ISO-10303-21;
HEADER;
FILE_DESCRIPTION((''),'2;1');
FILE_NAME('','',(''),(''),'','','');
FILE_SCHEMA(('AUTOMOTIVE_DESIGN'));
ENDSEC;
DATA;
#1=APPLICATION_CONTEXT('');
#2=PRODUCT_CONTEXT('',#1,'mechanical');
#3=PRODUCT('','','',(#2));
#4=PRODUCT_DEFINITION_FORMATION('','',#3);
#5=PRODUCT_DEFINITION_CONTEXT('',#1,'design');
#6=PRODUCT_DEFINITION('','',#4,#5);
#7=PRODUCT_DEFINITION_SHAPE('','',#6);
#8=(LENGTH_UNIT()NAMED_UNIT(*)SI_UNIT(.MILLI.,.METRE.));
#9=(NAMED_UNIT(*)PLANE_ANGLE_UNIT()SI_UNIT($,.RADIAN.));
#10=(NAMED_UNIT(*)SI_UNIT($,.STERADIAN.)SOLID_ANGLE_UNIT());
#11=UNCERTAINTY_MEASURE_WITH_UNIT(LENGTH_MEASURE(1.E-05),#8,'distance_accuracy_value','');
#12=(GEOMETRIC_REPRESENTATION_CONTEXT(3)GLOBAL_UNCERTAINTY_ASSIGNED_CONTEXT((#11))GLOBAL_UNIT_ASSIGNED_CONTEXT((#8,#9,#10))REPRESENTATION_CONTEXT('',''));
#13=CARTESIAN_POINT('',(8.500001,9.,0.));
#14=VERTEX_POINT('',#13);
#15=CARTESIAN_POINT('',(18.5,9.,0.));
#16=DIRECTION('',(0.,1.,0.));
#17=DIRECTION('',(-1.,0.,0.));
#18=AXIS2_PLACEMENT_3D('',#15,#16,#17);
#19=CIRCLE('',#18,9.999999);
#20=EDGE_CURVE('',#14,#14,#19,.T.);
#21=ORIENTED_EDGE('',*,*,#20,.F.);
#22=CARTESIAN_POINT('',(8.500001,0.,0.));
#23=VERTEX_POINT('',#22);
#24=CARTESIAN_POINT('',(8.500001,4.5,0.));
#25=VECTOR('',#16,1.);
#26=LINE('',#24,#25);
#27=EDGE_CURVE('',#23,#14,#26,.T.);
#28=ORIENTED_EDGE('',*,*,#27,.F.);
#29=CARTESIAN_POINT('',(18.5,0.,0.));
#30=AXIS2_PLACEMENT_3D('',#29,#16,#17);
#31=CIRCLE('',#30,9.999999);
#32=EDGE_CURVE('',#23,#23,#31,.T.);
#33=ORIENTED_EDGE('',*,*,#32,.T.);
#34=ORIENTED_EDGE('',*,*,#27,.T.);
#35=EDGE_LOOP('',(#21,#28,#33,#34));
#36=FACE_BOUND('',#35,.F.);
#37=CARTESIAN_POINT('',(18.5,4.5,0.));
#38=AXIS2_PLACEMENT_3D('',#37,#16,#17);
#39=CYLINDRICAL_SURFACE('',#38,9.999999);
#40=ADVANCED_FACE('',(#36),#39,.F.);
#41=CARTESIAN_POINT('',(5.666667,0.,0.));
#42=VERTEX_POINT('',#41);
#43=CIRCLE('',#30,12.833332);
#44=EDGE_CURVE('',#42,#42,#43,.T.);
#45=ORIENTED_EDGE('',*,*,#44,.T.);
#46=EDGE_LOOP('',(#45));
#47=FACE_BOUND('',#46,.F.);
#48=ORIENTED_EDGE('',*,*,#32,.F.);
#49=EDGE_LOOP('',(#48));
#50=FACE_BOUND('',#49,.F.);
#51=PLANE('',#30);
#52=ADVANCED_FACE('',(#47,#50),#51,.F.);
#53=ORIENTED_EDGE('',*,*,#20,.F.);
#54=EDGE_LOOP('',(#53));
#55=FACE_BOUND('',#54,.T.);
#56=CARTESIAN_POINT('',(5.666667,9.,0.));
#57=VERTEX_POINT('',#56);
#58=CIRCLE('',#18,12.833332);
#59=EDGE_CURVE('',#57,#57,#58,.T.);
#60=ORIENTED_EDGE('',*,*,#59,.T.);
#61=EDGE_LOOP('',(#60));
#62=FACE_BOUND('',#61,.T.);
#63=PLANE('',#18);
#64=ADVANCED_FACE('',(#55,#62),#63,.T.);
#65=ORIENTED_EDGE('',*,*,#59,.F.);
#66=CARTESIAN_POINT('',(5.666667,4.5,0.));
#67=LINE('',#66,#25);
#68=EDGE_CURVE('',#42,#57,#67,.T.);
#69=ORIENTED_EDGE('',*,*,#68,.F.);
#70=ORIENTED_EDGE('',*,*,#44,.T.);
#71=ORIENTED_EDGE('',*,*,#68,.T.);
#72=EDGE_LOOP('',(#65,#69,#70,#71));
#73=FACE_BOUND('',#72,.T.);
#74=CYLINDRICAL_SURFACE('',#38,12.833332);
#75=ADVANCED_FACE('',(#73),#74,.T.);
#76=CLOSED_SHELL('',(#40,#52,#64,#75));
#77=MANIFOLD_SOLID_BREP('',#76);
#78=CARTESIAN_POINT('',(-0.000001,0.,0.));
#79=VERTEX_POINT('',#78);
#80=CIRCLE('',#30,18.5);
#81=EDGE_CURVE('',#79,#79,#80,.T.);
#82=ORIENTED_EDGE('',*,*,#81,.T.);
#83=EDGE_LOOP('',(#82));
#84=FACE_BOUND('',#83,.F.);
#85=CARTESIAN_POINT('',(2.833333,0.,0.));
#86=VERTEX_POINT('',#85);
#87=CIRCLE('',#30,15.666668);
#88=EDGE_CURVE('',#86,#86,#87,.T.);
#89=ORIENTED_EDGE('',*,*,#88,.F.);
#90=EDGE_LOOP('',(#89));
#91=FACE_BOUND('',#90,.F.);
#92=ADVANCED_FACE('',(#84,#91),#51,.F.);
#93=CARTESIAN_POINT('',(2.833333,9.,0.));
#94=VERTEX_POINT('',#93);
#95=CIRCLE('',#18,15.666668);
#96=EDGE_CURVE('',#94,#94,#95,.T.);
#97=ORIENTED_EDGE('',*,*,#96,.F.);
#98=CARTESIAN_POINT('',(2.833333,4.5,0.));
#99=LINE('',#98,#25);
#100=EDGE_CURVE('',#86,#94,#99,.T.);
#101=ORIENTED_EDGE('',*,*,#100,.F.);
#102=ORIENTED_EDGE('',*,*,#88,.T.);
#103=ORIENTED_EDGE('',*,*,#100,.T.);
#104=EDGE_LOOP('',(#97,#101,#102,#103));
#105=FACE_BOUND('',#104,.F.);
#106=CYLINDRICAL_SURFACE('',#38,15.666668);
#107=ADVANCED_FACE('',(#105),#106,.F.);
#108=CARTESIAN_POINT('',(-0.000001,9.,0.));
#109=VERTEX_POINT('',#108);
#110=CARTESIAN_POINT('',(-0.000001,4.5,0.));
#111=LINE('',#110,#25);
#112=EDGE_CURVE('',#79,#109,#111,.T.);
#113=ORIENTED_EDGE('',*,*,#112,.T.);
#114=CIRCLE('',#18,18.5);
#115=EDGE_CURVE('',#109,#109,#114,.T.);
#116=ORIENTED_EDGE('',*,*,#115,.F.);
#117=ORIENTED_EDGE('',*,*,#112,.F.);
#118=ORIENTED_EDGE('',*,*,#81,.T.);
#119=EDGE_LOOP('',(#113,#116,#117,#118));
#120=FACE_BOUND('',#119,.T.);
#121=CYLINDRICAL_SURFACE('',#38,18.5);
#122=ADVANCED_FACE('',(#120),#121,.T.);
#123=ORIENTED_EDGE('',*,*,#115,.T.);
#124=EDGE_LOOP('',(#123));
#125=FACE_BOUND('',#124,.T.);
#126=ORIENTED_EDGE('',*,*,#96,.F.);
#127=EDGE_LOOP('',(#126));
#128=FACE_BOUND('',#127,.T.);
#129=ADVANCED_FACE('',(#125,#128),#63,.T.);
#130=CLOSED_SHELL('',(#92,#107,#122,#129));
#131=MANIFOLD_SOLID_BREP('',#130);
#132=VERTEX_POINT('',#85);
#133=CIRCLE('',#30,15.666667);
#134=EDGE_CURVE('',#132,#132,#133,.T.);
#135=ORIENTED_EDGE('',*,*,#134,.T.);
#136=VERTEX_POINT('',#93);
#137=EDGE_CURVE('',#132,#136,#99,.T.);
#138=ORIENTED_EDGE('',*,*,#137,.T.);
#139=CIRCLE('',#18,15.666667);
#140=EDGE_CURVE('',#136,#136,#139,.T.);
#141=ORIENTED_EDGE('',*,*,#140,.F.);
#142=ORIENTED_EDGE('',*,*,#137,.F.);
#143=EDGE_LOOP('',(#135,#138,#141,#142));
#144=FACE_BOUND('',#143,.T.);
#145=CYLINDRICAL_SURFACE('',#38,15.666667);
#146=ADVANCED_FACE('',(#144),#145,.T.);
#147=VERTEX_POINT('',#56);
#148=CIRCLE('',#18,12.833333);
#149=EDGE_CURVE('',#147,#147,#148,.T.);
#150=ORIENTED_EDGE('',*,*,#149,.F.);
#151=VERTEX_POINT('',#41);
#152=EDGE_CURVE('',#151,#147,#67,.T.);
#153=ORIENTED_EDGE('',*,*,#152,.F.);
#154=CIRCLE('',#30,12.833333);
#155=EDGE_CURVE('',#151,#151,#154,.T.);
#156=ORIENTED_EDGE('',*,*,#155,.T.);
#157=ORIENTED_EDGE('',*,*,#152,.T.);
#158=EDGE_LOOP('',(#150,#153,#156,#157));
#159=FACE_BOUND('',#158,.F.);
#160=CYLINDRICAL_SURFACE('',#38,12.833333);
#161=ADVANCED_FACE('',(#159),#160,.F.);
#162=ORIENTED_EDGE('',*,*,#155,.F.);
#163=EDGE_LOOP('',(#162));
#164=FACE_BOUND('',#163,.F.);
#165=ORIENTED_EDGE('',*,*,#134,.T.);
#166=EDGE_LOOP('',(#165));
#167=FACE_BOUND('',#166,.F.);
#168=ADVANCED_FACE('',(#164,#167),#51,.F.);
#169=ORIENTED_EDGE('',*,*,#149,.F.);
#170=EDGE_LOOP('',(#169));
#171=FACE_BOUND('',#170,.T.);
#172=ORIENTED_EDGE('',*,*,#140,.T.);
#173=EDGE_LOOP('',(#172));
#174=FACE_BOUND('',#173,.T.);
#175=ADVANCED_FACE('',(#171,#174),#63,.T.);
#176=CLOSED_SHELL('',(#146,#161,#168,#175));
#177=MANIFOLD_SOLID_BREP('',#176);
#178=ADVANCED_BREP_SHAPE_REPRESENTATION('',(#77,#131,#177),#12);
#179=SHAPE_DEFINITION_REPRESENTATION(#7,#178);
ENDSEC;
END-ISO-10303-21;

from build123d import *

# Parameters (mm, degrees)
F0_W   = 2.833333
F0_H   = 9
F0_W_2 = 2.833334


with BuildPart() as f1:
    # F0 (on Top) → F1 (revolve)
    with BuildSketch(Plane.XY):
        with Locations((1.416666, 4.5)):
            Rectangle(F0_W, F0_H)
    revolve(axis=Axis((18.5, 4.5, 0), (0, 1, 0)))


with BuildPart() as f2:
    # F0 (on Top) → F2 (revolve)
    with BuildSketch(Plane.XY):
        with Locations((4.25, 4.5)):
            Rectangle(F0_W_2, F0_H)
    revolve(axis=Axis((18.5, 4.5, 0), (0, 1, 0)))


with BuildPart() as f3:
    # F0 (on Top) → F3 (revolve)
    with BuildSketch(Plane.XY):
        with Locations((7.083334, 4.5)):
            Rectangle(F0_W, F0_H)
    revolve(axis=Axis((18.5, 4.5, 0), (0, 1, 0)))


solid = Compound([f1.part, f2.part, f3.part])
